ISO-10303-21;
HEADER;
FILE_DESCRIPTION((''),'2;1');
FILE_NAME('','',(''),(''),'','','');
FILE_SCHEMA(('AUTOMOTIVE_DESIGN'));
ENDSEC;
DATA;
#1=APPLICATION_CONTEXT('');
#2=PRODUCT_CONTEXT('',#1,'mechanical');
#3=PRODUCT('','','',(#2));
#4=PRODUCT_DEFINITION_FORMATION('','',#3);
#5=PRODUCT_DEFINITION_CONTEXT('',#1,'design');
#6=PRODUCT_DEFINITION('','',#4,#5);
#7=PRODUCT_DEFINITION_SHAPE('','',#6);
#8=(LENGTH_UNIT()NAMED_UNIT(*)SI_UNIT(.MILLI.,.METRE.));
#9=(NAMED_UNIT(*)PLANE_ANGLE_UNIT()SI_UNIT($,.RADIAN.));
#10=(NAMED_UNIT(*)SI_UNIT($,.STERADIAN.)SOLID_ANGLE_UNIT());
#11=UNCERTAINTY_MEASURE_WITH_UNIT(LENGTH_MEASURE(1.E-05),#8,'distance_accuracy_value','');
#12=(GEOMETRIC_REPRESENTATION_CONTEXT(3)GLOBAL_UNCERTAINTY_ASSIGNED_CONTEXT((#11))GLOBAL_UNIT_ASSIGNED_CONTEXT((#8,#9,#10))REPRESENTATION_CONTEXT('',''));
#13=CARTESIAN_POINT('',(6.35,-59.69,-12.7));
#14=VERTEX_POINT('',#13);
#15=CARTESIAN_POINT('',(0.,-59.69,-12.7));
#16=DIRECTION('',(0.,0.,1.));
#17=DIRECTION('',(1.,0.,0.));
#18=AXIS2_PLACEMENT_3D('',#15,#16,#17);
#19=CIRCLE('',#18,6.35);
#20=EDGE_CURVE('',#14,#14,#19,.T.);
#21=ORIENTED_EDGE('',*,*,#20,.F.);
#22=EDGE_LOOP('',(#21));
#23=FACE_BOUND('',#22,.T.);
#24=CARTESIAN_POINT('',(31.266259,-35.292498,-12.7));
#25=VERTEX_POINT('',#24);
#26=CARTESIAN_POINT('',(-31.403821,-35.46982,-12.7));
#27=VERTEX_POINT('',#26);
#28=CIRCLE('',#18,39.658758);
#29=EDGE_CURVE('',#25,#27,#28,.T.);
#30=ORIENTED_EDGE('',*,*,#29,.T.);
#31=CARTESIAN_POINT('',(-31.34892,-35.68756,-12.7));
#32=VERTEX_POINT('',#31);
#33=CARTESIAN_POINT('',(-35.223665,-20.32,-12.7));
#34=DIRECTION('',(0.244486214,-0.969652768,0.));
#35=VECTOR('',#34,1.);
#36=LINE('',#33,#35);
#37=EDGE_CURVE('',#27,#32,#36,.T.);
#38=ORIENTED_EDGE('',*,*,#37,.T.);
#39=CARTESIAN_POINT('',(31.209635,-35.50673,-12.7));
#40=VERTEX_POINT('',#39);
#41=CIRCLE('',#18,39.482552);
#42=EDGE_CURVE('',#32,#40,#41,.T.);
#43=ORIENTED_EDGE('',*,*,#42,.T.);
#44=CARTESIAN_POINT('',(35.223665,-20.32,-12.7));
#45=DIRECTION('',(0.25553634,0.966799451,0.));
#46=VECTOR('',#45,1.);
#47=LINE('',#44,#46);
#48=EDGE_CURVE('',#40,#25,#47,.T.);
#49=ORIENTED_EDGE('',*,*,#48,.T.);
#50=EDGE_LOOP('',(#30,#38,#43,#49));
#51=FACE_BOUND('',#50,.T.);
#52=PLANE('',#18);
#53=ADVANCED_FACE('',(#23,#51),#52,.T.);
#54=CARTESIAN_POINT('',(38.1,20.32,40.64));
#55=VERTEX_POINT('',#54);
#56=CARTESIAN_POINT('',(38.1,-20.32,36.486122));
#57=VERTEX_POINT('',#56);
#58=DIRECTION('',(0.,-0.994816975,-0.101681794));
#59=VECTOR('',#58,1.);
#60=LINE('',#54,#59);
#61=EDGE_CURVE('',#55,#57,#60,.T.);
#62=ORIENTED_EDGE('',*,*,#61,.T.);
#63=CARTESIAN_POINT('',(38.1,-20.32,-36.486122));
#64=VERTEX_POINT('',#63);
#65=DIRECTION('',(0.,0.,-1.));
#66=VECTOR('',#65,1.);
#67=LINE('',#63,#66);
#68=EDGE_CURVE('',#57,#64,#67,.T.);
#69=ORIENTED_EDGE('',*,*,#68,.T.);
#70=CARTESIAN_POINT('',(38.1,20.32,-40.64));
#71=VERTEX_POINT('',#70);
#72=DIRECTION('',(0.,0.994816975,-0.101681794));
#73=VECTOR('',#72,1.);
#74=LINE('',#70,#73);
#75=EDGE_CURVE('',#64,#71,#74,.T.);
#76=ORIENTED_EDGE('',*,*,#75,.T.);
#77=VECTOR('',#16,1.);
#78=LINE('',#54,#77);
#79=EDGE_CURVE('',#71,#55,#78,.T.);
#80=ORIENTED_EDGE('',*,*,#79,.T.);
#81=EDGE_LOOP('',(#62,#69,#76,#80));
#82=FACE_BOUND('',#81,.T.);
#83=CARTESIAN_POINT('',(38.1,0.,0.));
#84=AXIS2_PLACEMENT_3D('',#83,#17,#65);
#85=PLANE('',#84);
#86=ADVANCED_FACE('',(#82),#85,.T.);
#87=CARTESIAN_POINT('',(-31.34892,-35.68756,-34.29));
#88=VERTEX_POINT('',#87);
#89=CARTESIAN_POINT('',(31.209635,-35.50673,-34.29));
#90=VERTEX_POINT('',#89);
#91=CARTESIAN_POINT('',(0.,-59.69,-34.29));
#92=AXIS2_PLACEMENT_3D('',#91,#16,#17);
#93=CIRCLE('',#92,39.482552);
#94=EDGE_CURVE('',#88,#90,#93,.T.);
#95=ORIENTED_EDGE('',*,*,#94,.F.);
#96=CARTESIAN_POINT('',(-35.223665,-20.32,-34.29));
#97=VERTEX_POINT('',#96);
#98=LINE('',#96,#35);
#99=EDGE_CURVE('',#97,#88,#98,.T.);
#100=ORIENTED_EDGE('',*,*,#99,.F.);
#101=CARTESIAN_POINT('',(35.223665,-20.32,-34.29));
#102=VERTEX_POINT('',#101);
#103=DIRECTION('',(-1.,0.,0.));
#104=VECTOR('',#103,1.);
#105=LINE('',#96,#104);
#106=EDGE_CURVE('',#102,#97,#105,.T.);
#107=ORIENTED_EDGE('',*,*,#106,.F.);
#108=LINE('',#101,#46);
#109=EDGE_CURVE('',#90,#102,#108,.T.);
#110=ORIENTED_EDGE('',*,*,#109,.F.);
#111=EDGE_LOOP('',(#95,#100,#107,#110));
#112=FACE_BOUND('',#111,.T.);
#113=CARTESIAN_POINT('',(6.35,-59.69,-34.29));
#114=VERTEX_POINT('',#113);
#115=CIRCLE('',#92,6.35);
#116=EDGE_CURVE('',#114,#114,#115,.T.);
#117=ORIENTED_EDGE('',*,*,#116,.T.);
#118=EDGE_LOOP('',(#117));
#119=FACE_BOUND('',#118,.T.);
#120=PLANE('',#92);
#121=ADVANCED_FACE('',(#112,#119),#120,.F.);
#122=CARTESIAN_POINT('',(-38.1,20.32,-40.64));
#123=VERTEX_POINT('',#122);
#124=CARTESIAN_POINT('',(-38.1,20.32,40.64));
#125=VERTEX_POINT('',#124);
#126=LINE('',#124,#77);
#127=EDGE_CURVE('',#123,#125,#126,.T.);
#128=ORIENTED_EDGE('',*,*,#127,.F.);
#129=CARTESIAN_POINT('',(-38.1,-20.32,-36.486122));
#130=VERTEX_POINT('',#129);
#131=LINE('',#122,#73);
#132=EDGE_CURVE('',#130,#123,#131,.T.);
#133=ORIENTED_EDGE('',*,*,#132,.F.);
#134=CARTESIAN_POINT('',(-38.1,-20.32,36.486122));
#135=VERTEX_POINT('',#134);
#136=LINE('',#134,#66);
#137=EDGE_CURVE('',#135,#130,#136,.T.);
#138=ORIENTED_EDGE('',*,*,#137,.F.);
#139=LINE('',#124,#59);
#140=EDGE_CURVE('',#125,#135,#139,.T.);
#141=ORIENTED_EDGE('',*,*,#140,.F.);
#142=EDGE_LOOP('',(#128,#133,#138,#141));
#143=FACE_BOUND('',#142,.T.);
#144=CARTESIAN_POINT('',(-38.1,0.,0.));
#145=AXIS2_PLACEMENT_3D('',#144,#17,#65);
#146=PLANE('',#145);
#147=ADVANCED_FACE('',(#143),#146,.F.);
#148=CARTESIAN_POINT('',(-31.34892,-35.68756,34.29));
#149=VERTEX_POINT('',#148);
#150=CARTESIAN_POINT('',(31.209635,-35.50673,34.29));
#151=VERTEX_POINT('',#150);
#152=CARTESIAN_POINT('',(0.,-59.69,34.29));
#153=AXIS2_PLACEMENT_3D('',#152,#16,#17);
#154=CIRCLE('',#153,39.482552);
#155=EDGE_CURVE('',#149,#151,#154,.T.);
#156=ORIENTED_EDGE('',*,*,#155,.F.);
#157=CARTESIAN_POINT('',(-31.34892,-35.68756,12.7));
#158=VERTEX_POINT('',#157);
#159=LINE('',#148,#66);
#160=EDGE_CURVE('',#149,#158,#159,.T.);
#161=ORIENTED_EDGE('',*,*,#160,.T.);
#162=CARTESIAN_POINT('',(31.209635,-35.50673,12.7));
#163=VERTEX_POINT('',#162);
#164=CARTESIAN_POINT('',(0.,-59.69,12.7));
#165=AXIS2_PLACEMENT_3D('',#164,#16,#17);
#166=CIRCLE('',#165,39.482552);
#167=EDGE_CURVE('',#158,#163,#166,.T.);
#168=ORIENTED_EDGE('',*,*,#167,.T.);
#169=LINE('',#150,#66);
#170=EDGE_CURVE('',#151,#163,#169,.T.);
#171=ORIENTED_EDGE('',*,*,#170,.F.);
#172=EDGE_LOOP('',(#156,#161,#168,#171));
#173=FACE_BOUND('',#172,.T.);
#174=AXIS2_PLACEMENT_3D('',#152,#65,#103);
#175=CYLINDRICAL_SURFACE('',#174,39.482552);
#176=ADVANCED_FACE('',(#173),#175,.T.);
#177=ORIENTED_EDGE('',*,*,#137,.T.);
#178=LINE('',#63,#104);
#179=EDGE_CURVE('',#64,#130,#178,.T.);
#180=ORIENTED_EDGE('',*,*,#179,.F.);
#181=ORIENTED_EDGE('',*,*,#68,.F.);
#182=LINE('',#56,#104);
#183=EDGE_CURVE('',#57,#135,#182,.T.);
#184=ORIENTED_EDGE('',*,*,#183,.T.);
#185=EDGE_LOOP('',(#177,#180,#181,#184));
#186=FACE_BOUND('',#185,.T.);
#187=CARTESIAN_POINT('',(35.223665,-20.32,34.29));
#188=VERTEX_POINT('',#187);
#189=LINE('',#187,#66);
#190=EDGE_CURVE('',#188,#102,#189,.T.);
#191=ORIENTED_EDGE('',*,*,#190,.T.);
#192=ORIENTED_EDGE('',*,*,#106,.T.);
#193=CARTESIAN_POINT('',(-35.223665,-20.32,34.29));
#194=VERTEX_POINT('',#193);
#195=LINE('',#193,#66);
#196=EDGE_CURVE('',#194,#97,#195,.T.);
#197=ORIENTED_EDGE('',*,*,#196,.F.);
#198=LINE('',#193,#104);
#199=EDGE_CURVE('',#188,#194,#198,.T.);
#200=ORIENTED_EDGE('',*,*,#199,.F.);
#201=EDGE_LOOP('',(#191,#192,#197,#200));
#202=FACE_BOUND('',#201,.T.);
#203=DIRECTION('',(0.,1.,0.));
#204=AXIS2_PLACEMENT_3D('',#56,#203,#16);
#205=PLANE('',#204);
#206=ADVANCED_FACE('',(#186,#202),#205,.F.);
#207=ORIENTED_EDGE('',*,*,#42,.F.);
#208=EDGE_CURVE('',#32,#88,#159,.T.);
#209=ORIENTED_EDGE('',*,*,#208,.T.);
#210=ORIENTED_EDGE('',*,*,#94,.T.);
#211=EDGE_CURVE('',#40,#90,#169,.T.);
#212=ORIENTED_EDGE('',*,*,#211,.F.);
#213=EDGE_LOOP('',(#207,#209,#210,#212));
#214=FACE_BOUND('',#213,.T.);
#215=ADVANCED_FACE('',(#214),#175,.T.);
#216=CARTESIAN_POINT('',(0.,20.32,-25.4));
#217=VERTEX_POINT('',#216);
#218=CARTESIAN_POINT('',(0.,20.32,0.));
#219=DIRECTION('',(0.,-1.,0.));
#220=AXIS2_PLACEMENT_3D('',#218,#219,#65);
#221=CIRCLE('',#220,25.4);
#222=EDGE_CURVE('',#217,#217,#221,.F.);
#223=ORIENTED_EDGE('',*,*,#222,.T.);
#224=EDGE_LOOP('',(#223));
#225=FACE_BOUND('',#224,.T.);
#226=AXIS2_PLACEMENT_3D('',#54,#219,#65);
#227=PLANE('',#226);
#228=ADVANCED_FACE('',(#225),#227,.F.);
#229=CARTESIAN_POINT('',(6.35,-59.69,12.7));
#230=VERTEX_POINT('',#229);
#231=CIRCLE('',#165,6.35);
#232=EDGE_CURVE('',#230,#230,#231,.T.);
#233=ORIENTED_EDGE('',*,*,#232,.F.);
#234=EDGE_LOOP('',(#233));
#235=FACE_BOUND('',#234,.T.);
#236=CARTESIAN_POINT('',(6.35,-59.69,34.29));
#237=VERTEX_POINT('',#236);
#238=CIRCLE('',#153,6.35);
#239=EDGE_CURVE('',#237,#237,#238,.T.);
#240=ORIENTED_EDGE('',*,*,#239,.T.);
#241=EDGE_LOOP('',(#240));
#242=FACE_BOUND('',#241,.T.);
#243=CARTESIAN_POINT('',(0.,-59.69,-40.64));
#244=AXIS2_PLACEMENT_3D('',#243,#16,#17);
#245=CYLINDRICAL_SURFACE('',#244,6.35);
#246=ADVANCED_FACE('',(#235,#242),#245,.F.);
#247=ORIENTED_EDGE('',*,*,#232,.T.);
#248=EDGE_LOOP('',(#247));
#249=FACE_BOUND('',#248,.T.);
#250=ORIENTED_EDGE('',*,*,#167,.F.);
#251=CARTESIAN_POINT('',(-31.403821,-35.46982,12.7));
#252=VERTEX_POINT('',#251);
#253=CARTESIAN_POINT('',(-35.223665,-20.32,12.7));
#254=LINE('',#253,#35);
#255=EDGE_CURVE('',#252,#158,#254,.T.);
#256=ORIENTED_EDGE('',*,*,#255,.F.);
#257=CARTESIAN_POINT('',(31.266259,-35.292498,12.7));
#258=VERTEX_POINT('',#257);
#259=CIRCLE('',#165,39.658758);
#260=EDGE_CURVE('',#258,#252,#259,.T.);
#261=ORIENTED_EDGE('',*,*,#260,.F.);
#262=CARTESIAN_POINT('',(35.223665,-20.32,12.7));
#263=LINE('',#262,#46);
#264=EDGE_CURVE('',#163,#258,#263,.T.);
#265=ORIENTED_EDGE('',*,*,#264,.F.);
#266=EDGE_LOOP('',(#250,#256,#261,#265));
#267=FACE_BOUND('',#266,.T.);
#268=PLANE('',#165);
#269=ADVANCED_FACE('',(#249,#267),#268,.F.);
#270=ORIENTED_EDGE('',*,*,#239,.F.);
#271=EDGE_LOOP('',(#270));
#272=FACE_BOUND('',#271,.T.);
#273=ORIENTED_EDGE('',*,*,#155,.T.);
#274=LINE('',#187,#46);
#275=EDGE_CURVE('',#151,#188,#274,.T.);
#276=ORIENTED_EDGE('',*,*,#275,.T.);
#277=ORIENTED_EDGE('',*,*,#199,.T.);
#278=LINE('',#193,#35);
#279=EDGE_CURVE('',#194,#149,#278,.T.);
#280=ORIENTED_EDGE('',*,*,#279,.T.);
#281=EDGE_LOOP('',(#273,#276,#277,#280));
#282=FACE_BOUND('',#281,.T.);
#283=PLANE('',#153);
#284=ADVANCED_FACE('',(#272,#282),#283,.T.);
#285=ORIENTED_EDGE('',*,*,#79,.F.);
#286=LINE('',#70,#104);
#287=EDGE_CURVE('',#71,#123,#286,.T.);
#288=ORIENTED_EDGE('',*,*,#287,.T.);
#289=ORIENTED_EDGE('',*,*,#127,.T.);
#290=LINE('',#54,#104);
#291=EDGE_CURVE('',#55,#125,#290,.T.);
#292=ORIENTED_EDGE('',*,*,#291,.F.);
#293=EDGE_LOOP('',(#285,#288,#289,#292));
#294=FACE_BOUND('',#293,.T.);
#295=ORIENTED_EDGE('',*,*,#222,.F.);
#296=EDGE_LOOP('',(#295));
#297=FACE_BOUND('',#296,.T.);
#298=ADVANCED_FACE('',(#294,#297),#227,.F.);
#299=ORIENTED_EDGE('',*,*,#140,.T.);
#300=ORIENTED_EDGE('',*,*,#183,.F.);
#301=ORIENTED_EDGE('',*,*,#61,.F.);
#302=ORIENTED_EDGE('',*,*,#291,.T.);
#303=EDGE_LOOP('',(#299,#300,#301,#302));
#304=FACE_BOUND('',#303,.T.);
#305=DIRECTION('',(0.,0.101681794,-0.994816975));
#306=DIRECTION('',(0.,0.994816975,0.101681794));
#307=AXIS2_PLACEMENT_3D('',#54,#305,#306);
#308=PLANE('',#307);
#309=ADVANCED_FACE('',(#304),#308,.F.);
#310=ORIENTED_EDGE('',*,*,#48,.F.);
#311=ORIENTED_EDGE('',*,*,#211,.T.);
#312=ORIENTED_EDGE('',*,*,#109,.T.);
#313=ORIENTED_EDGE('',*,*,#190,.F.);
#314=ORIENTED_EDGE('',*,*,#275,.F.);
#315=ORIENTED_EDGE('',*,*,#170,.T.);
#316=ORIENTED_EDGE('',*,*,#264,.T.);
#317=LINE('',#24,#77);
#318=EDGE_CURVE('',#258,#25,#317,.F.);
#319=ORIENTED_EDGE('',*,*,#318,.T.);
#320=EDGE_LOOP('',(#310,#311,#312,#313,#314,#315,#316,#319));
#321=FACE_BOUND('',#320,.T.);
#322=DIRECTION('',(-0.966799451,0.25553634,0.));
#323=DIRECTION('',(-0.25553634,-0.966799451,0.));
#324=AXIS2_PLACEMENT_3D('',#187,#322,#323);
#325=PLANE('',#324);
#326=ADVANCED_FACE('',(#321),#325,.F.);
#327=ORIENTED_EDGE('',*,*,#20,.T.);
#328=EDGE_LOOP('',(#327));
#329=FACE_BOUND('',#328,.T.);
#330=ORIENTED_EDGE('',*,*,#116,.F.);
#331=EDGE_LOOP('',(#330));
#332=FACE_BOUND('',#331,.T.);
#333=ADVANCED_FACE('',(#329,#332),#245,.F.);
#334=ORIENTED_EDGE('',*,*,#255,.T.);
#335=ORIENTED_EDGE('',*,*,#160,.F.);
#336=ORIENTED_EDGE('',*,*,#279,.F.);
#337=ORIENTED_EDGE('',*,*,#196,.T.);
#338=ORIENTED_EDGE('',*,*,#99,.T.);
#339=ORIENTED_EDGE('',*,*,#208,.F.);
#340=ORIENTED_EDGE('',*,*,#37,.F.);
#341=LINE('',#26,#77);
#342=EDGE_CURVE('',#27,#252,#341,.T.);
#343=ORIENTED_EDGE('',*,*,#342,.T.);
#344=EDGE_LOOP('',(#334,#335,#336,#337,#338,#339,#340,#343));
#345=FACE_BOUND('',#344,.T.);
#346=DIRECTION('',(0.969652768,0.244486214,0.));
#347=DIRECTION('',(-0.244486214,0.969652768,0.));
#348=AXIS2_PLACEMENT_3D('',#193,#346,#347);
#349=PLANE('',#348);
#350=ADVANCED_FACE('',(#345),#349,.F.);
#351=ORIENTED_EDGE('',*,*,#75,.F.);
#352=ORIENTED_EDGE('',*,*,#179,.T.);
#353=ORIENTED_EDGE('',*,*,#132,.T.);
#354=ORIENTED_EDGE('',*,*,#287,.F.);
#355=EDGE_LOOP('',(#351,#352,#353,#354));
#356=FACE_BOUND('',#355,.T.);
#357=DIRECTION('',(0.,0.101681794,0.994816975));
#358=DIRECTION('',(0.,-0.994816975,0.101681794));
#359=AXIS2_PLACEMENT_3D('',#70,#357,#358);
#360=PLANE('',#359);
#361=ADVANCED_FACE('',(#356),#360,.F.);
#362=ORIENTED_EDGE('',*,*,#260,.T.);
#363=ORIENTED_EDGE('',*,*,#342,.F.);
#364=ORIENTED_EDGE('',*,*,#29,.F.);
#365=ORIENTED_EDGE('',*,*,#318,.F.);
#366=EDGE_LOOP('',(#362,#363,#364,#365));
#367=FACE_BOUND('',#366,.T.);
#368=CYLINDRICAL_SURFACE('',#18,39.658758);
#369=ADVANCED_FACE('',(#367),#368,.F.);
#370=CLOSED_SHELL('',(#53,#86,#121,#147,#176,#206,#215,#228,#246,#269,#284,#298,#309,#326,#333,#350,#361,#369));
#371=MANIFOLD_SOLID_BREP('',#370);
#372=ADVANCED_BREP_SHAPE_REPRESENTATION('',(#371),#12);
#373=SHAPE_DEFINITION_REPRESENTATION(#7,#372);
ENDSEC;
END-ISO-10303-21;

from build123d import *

# Parameters (mm, degrees)
SALIENTE_EXTRUIR1_DEPTH = 38.1
SALIENTE_EXTRUIR2_DEPTH = 34.29
CROQUIS3_R              = 39.658757808
CORTAR_EXTRUIR1_DEPTH   = 12.7
CROQUIS4_R              = 6.35
CORTAR_EXTRUIR2_DEPTH   = 131.416915542


with BuildPart() as part:
    # Croquis1 → Saliente-Extruir1 (new, symmetric)
    with BuildSketch(Plane(origin=(0, 0, 0), x_dir=(0, 0, -1), z_dir=(1, 0, 0))):
        Polygon((-40.64, 20.319999995), (-36.486122257, -20.319999995), (0, -20.319999995), (36.486122257, -20.319999995), (40.64, 20.319999995), align=None)
    extrude(amount=SALIENTE_EXTRUIR1_DEPTH, both=True)

    # Croquis2 → Saliente-Extruir2 (add, symmetric)
    with BuildSketch(Plane.XY):
        with BuildLine():
            Line((35.223664747, -20.319999995), (31.209635447, -35.506729715))
            ThreePointArc((31.209635447, -35.506729715), (0.114127167, -99.172386969), (-31.348920302, -35.687560492))
            Line((-31.348920302, -35.687560492), (-35.223664747, -20.319999995))
            Line((-35.223664747, -20.319999995), (35.223664747, -20.319999995))
        make_face()
    extrude(amount=SALIENTE_EXTRUIR2_DEPTH, both=True)

    # Croquis3 → Cortar-Extruir1 (cut, symmetric)
    with BuildSketch(Plane.XY):
        with Locations((0, -59.689999995)):
            Circle(CROQUIS3_R)
    extrude(amount=CORTAR_EXTRUIR1_DEPTH, both=True, mode=Mode.SUBTRACT)

    # Croquis4 → Cortar-Extruir2 (cut, through all)
    with BuildSketch(Plane.XY.offset(34.29)):
        with Locations((0, -59.689999995)):
            Circle(CROQUIS4_R)
    extrude(amount=-CORTAR_EXTRUIR2_DEPTH, mode=Mode.SUBTRACT)


solid = part.part
